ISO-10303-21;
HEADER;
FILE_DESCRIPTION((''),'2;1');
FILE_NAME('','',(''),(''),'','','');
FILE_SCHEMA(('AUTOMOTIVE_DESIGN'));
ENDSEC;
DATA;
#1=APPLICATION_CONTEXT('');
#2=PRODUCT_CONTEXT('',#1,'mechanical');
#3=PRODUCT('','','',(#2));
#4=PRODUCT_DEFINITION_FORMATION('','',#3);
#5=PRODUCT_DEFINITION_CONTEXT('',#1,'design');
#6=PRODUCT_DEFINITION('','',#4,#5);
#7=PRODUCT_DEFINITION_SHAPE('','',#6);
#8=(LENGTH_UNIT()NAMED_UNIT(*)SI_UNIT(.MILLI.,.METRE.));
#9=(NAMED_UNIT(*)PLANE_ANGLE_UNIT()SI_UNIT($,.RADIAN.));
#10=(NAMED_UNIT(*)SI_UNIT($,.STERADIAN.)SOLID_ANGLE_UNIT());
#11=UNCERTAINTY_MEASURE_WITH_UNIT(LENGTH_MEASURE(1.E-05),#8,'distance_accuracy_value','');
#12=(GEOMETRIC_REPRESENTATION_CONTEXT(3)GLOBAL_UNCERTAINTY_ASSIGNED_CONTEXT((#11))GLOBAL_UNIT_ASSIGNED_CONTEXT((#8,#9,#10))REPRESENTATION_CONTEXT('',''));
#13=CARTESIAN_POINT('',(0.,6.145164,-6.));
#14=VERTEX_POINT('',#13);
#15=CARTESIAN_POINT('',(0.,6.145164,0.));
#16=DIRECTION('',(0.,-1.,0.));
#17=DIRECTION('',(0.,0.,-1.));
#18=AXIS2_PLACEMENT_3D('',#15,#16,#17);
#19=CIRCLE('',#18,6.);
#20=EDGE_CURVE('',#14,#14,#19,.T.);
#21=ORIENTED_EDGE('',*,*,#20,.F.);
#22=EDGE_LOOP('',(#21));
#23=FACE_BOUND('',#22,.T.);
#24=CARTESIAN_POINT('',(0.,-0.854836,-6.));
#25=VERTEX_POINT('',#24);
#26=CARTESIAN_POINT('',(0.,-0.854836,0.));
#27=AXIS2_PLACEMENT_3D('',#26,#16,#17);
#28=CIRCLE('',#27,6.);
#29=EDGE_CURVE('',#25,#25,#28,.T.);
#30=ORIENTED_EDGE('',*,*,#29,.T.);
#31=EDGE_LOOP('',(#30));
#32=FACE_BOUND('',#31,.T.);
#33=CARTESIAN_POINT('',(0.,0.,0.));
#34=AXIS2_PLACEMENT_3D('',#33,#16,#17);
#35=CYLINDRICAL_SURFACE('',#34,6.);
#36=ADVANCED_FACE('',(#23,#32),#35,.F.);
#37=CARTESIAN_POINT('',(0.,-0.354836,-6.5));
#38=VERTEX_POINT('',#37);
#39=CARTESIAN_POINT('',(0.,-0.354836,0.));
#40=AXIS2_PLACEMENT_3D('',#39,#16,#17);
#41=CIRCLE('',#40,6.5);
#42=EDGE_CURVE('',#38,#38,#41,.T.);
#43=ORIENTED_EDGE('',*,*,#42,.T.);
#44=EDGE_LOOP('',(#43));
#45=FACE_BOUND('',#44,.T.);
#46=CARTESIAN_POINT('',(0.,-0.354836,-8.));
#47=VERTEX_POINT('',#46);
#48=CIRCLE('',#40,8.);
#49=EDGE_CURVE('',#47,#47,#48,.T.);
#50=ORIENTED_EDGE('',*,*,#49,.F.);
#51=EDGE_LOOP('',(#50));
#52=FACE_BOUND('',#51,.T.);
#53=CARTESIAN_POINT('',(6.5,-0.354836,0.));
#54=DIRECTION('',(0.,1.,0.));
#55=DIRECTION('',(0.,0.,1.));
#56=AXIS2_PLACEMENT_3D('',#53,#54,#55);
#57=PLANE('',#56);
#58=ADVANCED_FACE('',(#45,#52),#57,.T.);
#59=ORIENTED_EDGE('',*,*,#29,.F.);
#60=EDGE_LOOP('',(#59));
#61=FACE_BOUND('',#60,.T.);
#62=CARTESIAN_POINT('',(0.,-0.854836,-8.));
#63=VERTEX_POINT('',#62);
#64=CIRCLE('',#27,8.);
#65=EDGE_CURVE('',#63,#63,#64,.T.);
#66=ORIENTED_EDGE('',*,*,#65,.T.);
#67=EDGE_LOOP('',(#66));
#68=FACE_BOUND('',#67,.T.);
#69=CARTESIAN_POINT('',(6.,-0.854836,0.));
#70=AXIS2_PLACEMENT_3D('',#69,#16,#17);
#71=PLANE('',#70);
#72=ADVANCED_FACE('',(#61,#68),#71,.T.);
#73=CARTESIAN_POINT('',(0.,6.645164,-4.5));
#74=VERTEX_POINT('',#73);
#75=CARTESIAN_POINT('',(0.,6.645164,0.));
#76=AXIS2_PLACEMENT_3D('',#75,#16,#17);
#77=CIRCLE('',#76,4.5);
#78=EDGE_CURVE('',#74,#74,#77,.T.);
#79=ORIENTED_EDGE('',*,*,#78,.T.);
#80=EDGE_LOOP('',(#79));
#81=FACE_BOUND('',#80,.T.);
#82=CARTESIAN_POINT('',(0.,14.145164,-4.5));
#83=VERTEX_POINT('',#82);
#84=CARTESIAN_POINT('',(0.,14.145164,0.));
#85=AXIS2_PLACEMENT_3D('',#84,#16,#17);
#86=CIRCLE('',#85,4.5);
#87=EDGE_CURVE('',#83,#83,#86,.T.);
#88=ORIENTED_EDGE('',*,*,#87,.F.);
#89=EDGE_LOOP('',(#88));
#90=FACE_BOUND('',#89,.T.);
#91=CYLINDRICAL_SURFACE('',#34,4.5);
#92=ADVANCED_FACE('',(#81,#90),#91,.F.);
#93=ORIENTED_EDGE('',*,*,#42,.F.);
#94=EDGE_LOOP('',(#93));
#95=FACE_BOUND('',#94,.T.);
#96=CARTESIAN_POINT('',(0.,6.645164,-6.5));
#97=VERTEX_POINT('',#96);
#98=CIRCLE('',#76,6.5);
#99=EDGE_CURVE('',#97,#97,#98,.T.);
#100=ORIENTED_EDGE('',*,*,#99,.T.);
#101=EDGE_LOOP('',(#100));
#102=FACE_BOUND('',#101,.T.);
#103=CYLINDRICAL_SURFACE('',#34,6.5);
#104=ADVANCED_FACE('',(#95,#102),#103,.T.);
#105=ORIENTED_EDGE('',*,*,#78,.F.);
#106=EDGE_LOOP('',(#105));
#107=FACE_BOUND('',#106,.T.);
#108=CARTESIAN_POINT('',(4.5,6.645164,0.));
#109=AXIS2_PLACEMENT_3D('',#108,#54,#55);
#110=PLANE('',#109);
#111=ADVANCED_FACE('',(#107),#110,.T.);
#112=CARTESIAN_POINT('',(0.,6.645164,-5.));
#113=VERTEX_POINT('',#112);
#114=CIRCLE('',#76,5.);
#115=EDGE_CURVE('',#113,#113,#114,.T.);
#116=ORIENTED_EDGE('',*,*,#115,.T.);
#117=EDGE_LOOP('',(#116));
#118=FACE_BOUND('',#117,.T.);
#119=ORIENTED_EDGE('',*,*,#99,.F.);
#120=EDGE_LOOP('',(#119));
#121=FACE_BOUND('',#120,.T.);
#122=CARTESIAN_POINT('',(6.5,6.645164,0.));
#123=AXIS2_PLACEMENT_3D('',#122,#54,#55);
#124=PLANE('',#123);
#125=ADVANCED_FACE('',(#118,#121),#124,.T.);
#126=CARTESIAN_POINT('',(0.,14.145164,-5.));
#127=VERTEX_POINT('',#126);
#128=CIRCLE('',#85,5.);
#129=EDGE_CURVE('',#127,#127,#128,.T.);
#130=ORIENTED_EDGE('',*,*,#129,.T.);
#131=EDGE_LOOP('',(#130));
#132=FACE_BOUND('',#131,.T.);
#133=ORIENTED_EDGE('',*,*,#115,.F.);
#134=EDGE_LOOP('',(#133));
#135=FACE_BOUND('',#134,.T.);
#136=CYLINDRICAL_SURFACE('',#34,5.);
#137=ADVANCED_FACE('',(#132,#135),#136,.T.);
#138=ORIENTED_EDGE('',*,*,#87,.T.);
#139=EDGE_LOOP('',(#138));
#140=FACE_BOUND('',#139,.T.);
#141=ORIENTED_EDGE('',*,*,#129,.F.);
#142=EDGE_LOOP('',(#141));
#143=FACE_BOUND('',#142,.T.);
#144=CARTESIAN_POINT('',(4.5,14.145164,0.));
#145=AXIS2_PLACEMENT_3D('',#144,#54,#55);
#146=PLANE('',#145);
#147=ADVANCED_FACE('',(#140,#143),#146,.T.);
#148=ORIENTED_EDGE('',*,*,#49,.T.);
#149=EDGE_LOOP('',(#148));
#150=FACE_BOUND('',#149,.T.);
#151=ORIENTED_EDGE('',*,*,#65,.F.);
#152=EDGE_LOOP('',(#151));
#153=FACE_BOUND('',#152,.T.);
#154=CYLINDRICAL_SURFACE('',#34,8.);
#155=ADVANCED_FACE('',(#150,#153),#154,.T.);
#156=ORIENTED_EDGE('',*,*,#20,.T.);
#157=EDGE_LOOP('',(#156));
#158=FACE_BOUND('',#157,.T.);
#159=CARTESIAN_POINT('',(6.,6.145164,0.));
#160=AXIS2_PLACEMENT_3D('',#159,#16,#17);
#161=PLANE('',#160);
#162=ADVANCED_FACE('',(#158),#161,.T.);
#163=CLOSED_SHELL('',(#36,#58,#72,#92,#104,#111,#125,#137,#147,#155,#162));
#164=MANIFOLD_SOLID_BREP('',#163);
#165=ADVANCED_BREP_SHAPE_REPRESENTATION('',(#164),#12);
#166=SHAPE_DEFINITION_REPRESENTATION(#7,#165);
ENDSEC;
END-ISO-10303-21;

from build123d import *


with BuildPart() as part:
    # Sketch1 → Revolve1 (revolve)
    with BuildSketch(Plane.XY):
        Polygon((6, -0.854835863), (6, 6.145164137), (0, 6.145164137), (0, 6.645164137), (4.5, 6.645164137), (4.5, 14.145164137), (5, 14.145164137), (5, 6.645164137), (6.5, 6.645164137), (6.5, -0.354835863), (8, -0.354835863), (8, -0.854835863), align=None)
    revolve(axis=Axis((0, 0, 0), (0, 1, 0)))


solid = part.part
